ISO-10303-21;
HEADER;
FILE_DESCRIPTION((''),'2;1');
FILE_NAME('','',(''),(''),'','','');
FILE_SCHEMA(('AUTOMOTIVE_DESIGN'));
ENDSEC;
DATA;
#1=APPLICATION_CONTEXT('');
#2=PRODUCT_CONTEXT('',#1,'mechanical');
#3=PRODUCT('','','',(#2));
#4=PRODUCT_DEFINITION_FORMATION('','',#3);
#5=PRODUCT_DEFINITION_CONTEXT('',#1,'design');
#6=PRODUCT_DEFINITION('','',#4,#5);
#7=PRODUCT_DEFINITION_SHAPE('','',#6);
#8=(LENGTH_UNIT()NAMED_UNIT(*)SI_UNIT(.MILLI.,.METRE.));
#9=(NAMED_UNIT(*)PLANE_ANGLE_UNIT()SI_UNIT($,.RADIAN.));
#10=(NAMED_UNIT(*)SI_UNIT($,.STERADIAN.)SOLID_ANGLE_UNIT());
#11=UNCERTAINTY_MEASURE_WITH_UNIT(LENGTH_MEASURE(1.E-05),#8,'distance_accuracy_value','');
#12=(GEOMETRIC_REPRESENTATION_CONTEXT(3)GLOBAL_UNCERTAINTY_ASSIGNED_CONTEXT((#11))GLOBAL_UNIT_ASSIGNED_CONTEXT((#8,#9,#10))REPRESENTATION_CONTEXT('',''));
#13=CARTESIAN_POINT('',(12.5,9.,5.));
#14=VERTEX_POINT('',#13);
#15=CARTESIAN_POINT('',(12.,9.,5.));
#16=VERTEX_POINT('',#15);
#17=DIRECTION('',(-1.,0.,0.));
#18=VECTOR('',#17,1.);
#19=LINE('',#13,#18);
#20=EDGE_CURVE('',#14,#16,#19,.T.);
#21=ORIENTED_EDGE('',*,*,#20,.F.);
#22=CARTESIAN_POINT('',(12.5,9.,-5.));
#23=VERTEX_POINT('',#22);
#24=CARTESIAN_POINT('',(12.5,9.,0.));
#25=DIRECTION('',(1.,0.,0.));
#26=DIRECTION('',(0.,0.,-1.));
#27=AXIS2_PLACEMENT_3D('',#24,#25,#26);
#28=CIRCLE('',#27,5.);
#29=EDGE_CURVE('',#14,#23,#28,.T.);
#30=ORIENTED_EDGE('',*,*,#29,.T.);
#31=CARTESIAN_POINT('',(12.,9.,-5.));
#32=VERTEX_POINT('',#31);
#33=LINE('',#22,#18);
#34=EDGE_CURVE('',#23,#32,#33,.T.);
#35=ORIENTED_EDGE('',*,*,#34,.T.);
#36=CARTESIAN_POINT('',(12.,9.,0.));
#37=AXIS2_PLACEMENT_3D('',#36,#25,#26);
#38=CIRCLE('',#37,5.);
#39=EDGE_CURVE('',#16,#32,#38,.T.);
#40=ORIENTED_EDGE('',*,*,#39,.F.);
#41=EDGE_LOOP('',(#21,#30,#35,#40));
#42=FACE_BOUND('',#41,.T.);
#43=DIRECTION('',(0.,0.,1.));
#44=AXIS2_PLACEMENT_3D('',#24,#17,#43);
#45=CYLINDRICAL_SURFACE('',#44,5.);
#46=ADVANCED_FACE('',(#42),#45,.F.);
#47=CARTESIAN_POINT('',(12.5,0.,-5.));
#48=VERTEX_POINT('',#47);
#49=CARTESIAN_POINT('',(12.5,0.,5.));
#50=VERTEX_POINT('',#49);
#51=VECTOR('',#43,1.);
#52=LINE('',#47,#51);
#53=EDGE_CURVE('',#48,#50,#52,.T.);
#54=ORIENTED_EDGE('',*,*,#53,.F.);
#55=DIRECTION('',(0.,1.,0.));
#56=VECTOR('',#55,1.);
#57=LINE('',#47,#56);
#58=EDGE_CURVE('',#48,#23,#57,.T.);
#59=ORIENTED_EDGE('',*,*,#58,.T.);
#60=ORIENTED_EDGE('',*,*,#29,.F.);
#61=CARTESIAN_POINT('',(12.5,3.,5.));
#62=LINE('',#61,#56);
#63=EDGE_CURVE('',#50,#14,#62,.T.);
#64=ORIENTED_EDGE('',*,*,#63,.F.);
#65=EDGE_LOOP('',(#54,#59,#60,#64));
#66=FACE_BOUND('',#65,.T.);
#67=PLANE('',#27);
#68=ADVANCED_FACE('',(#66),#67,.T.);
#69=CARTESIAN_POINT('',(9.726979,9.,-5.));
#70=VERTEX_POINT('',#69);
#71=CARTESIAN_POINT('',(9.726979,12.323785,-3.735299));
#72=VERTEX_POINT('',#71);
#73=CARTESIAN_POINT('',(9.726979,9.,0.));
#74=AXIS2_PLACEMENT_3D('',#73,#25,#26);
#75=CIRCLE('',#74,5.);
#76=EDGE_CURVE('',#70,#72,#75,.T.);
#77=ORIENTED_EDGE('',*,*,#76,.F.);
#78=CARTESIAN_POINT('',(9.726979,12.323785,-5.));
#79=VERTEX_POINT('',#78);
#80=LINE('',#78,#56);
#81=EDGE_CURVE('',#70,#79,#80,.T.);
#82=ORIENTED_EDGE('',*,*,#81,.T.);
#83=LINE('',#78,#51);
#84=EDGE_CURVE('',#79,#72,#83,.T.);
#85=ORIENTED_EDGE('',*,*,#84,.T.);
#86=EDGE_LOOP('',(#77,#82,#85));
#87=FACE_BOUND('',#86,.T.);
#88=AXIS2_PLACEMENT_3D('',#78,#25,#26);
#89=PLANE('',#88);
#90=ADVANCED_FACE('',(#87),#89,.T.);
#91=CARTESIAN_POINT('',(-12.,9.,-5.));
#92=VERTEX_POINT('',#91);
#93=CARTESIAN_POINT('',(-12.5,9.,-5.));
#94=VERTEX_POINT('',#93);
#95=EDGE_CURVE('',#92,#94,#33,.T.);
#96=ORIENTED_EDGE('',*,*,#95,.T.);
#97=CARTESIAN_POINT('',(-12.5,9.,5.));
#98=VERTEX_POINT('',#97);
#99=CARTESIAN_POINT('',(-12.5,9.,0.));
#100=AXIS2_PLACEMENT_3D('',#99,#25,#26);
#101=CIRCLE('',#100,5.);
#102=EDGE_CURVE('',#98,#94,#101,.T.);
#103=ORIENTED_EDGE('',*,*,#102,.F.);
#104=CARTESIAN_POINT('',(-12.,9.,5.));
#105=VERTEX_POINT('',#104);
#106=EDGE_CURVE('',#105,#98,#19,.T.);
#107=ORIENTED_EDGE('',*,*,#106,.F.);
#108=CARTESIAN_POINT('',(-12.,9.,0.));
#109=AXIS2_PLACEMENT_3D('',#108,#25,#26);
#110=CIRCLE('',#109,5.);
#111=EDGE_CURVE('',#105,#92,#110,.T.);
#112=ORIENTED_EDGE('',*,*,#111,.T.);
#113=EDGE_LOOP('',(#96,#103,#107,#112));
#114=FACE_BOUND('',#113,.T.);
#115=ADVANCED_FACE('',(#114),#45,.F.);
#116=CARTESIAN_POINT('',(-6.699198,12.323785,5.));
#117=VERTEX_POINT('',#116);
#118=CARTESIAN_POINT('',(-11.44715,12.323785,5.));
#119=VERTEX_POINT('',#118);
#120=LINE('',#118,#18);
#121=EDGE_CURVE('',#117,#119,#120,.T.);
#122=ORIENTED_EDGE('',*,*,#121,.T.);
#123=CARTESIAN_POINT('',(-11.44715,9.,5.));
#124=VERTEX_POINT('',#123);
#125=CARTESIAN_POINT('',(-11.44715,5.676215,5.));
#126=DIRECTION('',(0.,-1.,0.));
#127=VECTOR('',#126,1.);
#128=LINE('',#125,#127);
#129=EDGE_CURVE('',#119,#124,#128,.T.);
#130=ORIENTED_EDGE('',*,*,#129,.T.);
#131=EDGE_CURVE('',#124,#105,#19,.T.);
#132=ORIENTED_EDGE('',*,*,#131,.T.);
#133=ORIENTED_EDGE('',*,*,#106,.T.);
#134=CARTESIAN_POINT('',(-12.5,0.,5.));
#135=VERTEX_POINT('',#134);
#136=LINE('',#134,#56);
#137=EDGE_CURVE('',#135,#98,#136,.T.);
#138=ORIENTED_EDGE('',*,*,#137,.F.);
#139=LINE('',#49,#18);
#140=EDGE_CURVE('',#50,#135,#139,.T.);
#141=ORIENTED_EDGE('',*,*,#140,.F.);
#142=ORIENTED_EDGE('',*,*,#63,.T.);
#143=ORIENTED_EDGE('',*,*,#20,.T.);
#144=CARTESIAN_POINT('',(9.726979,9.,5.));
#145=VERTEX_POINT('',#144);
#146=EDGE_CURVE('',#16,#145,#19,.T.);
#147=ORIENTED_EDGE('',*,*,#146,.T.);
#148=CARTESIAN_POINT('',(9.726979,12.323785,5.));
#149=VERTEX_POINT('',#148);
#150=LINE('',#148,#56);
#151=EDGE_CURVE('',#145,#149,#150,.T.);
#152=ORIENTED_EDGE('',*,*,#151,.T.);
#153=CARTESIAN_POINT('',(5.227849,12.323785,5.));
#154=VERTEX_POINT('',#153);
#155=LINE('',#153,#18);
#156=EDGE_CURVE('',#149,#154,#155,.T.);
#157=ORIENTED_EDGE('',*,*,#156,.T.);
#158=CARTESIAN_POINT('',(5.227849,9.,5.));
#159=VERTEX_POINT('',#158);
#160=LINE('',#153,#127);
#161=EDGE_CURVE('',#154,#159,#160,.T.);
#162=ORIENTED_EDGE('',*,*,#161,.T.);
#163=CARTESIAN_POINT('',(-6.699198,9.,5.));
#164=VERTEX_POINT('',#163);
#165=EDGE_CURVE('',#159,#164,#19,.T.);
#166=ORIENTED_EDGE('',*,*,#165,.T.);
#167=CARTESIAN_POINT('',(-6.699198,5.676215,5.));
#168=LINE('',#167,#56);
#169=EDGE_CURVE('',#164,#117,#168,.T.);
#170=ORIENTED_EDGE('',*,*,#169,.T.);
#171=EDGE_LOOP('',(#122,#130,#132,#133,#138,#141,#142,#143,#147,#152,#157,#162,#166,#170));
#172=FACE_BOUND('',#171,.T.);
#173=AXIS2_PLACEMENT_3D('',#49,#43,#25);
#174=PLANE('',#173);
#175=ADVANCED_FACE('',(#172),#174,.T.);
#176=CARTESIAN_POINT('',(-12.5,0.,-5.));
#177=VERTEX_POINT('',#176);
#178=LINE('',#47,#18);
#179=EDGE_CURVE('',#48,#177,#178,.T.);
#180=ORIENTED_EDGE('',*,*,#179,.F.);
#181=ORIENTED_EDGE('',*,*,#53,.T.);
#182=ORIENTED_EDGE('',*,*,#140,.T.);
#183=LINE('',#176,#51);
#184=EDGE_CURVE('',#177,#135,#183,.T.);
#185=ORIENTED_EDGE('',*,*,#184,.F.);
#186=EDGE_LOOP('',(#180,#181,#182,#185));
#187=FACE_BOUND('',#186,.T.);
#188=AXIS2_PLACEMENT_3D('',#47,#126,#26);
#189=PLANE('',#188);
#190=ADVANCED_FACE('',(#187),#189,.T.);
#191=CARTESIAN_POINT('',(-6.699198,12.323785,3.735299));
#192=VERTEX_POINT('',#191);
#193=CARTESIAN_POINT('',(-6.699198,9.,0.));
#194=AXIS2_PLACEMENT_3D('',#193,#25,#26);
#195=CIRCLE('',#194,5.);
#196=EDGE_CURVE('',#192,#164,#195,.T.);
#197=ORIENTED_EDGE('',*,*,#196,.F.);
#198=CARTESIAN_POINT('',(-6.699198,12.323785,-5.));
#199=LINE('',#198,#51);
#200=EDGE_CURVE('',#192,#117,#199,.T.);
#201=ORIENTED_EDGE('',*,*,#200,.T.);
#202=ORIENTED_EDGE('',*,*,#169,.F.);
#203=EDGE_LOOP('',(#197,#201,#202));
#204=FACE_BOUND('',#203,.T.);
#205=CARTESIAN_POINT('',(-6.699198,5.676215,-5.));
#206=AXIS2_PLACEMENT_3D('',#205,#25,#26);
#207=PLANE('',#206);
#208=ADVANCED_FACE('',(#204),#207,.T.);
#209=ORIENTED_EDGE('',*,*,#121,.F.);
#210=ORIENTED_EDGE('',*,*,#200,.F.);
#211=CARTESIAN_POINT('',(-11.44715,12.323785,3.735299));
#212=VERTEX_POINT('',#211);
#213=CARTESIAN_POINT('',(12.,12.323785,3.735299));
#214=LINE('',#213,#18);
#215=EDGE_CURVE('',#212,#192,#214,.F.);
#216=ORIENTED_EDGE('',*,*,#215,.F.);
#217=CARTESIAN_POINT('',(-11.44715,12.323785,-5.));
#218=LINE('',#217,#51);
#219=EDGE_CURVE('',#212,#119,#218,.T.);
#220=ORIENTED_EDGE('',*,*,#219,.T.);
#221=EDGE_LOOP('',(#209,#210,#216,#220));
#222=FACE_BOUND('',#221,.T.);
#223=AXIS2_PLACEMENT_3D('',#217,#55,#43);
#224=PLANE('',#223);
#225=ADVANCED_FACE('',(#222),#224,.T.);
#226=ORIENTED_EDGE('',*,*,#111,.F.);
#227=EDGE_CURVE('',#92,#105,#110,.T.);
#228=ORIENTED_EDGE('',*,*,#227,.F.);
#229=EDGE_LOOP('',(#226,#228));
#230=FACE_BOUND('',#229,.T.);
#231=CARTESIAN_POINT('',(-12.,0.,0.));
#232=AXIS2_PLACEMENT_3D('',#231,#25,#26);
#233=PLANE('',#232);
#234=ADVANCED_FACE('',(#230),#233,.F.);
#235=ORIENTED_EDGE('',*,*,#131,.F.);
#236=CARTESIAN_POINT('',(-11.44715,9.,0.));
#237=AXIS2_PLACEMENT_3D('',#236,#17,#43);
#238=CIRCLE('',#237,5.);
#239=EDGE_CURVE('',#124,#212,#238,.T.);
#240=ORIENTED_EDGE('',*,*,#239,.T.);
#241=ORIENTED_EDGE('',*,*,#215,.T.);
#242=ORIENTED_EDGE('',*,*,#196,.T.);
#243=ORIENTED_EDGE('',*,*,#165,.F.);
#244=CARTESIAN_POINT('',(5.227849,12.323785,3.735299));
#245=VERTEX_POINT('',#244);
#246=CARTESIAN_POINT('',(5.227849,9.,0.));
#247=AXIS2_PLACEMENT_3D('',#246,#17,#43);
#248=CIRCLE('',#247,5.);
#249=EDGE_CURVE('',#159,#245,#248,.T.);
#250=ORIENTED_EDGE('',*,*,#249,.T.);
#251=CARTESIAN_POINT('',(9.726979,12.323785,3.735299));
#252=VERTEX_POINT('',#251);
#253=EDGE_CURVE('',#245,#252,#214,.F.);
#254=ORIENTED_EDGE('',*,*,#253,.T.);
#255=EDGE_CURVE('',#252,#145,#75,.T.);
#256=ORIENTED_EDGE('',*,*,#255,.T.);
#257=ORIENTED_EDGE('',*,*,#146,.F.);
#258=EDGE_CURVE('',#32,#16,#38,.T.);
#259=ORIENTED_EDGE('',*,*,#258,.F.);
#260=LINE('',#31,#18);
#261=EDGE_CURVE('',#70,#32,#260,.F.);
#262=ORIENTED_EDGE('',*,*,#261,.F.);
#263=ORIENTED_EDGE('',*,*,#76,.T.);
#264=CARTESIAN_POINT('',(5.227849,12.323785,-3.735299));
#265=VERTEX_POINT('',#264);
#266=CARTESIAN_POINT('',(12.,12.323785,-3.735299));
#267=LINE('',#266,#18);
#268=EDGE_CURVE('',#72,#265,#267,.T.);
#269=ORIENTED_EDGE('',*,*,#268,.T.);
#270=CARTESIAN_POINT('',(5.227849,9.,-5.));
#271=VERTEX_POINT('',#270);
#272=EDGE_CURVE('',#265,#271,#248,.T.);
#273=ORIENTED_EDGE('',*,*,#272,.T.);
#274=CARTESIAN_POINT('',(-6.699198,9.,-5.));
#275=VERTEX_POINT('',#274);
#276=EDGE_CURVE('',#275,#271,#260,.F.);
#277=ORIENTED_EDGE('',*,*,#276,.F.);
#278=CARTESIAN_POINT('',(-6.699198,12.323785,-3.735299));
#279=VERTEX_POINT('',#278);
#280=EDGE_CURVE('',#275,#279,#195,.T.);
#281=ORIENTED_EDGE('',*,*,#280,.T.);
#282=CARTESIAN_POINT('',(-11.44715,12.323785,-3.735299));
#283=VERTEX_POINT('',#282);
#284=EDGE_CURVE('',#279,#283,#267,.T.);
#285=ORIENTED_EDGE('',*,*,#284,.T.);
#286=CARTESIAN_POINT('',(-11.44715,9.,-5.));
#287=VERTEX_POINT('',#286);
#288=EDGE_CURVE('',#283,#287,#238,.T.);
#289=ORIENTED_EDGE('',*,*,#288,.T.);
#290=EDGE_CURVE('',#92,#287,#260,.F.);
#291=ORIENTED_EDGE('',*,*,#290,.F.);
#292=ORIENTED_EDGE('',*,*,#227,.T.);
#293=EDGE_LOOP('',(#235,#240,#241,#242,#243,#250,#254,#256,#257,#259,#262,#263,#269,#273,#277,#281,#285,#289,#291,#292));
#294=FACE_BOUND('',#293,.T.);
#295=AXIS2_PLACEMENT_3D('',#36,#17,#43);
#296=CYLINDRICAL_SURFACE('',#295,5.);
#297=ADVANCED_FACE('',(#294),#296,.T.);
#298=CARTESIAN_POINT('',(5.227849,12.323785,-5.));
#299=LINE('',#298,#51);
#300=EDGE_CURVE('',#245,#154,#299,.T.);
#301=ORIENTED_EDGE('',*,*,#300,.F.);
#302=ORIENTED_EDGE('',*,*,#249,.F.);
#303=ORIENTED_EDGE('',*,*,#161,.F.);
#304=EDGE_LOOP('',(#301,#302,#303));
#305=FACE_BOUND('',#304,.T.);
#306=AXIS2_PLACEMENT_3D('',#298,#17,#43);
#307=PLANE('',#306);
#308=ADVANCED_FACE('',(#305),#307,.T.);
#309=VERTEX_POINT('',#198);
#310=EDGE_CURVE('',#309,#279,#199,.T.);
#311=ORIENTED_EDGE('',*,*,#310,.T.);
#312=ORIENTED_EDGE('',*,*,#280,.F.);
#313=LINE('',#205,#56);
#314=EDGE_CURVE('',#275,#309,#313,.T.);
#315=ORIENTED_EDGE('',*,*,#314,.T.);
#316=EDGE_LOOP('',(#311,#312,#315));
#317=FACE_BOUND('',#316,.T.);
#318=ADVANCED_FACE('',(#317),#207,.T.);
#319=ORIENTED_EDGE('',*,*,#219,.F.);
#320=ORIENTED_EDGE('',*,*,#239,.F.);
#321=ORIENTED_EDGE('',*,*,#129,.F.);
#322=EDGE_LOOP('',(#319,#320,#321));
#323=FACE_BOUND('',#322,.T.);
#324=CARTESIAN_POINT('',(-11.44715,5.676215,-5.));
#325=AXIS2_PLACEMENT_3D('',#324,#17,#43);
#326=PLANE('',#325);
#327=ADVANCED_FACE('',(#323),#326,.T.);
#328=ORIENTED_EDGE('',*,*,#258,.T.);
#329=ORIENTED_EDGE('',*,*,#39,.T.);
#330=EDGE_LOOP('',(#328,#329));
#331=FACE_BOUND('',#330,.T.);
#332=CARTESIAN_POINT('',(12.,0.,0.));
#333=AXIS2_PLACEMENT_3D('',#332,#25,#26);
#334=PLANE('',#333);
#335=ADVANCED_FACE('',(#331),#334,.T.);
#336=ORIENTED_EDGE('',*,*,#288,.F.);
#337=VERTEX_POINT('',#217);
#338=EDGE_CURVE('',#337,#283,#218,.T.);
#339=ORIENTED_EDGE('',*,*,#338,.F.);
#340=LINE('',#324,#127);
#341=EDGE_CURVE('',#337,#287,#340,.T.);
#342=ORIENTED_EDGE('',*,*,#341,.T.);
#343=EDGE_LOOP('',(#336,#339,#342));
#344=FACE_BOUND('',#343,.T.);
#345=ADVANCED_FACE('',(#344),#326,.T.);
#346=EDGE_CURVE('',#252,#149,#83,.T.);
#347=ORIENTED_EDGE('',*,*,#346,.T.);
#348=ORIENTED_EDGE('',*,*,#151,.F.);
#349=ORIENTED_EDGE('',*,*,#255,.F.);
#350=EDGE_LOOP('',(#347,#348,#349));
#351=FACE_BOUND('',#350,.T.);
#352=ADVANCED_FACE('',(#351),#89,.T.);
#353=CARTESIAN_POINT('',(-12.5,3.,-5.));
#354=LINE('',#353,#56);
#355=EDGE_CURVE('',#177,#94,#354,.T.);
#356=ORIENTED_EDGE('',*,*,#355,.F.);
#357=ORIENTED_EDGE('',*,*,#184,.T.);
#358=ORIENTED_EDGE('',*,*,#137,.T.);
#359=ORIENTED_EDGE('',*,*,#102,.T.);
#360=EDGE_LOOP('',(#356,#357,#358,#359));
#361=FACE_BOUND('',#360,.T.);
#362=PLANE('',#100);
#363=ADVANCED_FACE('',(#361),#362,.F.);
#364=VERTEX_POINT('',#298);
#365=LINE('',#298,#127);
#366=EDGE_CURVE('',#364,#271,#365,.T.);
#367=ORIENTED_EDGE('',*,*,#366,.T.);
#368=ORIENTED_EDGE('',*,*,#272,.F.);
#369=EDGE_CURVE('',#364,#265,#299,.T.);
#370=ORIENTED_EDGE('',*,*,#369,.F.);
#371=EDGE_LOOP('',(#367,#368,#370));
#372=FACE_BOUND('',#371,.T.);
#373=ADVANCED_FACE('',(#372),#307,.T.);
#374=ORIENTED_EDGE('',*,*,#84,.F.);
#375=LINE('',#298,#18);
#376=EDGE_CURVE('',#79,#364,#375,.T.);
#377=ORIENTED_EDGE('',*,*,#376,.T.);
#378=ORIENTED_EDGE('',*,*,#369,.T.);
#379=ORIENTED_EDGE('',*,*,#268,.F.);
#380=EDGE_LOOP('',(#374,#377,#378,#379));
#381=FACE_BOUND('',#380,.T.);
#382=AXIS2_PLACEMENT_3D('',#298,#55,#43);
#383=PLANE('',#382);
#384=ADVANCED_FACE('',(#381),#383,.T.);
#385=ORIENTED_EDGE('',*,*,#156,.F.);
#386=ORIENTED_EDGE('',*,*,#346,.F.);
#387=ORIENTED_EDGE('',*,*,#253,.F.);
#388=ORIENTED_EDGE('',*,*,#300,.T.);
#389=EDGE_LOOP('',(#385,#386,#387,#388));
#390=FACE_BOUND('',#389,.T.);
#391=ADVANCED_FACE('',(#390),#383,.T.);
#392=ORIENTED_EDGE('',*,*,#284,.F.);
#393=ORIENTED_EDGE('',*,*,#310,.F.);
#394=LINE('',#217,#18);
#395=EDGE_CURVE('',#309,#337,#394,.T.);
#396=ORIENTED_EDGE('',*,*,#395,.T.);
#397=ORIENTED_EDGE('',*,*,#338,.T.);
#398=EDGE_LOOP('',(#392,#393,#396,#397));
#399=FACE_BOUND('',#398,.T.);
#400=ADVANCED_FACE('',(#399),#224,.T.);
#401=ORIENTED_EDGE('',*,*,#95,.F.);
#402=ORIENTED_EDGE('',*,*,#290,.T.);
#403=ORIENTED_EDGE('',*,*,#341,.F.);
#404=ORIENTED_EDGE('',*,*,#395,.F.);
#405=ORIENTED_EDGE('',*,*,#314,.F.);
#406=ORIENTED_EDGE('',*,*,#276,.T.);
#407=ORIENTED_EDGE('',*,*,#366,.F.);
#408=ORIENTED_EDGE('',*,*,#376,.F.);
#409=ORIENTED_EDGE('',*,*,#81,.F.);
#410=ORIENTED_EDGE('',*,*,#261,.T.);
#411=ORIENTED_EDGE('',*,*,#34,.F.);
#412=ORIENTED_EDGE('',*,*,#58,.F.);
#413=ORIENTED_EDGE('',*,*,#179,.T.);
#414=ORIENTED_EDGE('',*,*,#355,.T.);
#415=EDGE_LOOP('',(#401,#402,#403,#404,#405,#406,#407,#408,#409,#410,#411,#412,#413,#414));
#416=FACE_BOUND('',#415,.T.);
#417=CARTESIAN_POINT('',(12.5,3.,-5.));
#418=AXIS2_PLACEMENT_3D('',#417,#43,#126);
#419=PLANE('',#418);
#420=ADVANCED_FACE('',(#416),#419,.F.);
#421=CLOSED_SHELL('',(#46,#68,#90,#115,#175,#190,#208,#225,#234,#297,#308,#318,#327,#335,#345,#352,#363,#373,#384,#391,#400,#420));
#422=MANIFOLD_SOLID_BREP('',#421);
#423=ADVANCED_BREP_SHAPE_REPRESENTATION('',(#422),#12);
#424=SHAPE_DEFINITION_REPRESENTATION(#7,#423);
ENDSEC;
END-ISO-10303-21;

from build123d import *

# Parameters (mm, degrees)
BOSS_EXTRUDE1_DEPTH = 12.5
BOSS_EXTRUDE2_DEPTH = 12
SKETCH2_W           = 4.747951262
SKETCH2_H           = 6.647569448
SKETCH2_W_2         = 4.499129778
BOSS_EXTRUDE3_DEPTH = 10


with BuildPart() as part:
    # Sketch1 → Boss-Extrude1 (new, symmetric)
    with BuildSketch(Plane(origin=(0, 0, 0), x_dir=(0, 0, -1), z_dir=(1, 0, 0))):
        with BuildLine():
            Line((5, 0), (-5, 0))
            Line((-5, 0), (-5, 3))
            Line((-5, 3), (-5, 9))
            ThreePointArc((-5, 9), (0, 4), (5, 9))
            Line((5, 9), (5, 3))
            Line((5, 3), (5, 0))
        make_face()
    extrude(amount=BOSS_EXTRUDE1_DEPTH, both=True)

    # Sketch1<5> → Boss-Extrude2 (add, symmetric)
    with BuildSketch(Plane(origin=(0, 0, 0), x_dir=(0, 0, -1), z_dir=(1, 0, 0))):
        with BuildLine():
            ThreePointArc((-5, 9), (-3.535533906, 5.464466094), (0, 4))
            ThreePointArc((0, 4), (3.535533906, 5.464466094), (5, 9))
            ThreePointArc((5, 9), (0, 14), (-5, 9))
        make_face()
    extrude(amount=BOSS_EXTRUDE2_DEPTH, both=True)

    # Sketch2 → Boss-Extrude3 (add)
    with BuildSketch(Plane.XY.offset(5)):
        with Locations((-9.073174039, 9)):
            Rectangle(SKETCH2_W, SKETCH2_H)
        with Locations((7.477413935, 9)):
            Rectangle(SKETCH2_W_2, SKETCH2_H)
    extrude(amount=-BOSS_EXTRUDE3_DEPTH)


solid = part.part
